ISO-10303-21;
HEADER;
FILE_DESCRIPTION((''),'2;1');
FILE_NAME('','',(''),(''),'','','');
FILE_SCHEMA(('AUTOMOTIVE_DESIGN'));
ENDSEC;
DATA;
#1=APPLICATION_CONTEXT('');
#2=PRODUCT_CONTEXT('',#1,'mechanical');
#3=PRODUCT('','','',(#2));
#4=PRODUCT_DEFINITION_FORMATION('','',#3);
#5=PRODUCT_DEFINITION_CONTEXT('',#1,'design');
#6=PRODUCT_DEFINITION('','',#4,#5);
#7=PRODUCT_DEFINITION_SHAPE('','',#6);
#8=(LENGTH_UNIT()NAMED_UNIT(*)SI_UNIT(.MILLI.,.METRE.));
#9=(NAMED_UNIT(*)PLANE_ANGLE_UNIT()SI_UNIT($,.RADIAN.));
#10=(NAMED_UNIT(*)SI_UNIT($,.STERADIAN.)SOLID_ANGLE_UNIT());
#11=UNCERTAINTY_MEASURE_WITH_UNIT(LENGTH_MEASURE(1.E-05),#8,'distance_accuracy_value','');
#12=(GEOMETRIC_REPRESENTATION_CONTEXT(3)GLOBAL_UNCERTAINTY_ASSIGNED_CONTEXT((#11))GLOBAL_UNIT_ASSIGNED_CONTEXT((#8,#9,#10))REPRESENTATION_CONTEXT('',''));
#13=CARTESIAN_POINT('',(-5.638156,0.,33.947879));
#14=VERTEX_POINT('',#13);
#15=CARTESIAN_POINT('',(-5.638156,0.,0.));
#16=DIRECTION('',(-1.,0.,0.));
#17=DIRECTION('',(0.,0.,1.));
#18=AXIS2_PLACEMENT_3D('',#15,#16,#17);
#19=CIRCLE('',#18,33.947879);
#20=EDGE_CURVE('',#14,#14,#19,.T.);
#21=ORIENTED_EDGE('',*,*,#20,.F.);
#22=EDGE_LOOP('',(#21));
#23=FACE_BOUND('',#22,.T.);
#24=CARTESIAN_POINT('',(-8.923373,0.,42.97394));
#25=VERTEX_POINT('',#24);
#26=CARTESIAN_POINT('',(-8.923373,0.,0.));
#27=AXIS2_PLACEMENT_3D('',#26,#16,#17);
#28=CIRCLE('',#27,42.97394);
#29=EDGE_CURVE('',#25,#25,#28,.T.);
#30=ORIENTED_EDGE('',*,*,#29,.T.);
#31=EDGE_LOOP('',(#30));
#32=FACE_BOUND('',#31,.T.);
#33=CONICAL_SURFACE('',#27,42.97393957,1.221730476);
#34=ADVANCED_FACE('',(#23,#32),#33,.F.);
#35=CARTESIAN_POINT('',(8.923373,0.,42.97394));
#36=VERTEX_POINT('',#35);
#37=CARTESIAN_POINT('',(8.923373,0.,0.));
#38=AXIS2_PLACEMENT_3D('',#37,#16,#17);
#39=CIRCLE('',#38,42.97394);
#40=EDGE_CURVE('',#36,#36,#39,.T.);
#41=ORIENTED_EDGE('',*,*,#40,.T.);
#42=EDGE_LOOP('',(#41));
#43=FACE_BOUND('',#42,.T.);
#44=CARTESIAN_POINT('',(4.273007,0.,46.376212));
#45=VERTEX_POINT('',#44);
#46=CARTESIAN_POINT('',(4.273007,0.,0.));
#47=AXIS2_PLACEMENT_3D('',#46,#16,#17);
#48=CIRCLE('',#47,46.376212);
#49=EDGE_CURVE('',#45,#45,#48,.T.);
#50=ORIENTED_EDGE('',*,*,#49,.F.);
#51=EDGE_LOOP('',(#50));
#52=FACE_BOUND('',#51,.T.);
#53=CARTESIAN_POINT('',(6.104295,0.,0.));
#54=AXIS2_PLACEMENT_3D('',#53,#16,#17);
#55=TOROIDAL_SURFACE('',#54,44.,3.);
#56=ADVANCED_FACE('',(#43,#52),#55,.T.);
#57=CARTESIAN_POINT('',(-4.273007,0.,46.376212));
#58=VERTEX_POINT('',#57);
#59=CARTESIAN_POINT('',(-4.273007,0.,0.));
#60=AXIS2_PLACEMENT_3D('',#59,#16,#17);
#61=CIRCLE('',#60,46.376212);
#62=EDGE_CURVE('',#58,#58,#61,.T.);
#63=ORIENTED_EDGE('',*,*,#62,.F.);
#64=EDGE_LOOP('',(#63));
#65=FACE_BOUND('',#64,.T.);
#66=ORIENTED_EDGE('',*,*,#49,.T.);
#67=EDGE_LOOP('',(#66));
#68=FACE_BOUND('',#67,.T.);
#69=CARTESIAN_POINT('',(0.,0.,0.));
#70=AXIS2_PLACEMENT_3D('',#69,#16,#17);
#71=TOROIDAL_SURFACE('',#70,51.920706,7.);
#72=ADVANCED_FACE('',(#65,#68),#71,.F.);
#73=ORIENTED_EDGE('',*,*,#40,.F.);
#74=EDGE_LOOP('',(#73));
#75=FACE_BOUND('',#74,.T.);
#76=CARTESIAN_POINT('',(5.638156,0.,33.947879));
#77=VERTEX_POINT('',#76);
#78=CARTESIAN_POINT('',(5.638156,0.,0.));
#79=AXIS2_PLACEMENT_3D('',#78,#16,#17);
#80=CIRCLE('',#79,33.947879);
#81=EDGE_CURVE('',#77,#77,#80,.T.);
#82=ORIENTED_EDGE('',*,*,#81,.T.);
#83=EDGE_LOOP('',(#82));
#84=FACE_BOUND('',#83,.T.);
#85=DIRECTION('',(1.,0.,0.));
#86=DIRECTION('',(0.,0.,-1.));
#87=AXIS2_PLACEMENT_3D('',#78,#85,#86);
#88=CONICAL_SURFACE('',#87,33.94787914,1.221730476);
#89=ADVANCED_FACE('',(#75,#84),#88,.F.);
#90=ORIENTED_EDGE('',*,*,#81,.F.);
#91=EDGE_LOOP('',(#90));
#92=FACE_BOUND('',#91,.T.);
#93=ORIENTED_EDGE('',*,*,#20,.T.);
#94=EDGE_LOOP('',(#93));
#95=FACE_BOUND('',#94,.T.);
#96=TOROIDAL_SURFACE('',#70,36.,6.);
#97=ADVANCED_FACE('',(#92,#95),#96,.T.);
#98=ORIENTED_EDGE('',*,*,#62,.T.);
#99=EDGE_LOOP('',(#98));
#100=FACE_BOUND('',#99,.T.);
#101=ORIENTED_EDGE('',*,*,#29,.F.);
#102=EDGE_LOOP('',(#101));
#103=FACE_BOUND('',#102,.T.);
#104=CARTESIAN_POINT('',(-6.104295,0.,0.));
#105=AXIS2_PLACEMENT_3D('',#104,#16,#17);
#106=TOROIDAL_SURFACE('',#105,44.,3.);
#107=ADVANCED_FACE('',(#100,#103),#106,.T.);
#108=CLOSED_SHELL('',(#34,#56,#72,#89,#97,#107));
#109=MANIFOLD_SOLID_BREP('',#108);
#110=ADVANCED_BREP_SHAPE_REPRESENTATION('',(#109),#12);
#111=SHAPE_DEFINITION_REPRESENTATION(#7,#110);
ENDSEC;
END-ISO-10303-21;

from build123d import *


with BuildPart() as part:
    # Sketch1 → Revolve1 (revolve)
    with BuildSketch(Plane.XY):
        with BuildLine():
            Line((5.638155725, 33.94787914), (8.923373054, 42.97393957))
            ThreePointArc((8.923373054, 42.97393957), (7.875677675, 46.421198897), (4.273006634, 46.376211737))
            ThreePointArc((4.273006634, 46.376211737), (0, 44.92070579), (-4.273006634, 46.376211737))
            ThreePointArc((-4.273006634, 46.376211737), (-7.875677675, 46.421198897), (-8.923373054, 42.97393957))
            Line((-8.923373054, 42.97393957), (-5.638155725, 33.94787914))
            ThreePointArc((-5.638155725, 33.94787914), (0, 30), (5.638155725, 33.94787914))
        make_face()
    revolve(axis=Axis((0, 0, 0), (1, 0, 0)))


solid = part.part
